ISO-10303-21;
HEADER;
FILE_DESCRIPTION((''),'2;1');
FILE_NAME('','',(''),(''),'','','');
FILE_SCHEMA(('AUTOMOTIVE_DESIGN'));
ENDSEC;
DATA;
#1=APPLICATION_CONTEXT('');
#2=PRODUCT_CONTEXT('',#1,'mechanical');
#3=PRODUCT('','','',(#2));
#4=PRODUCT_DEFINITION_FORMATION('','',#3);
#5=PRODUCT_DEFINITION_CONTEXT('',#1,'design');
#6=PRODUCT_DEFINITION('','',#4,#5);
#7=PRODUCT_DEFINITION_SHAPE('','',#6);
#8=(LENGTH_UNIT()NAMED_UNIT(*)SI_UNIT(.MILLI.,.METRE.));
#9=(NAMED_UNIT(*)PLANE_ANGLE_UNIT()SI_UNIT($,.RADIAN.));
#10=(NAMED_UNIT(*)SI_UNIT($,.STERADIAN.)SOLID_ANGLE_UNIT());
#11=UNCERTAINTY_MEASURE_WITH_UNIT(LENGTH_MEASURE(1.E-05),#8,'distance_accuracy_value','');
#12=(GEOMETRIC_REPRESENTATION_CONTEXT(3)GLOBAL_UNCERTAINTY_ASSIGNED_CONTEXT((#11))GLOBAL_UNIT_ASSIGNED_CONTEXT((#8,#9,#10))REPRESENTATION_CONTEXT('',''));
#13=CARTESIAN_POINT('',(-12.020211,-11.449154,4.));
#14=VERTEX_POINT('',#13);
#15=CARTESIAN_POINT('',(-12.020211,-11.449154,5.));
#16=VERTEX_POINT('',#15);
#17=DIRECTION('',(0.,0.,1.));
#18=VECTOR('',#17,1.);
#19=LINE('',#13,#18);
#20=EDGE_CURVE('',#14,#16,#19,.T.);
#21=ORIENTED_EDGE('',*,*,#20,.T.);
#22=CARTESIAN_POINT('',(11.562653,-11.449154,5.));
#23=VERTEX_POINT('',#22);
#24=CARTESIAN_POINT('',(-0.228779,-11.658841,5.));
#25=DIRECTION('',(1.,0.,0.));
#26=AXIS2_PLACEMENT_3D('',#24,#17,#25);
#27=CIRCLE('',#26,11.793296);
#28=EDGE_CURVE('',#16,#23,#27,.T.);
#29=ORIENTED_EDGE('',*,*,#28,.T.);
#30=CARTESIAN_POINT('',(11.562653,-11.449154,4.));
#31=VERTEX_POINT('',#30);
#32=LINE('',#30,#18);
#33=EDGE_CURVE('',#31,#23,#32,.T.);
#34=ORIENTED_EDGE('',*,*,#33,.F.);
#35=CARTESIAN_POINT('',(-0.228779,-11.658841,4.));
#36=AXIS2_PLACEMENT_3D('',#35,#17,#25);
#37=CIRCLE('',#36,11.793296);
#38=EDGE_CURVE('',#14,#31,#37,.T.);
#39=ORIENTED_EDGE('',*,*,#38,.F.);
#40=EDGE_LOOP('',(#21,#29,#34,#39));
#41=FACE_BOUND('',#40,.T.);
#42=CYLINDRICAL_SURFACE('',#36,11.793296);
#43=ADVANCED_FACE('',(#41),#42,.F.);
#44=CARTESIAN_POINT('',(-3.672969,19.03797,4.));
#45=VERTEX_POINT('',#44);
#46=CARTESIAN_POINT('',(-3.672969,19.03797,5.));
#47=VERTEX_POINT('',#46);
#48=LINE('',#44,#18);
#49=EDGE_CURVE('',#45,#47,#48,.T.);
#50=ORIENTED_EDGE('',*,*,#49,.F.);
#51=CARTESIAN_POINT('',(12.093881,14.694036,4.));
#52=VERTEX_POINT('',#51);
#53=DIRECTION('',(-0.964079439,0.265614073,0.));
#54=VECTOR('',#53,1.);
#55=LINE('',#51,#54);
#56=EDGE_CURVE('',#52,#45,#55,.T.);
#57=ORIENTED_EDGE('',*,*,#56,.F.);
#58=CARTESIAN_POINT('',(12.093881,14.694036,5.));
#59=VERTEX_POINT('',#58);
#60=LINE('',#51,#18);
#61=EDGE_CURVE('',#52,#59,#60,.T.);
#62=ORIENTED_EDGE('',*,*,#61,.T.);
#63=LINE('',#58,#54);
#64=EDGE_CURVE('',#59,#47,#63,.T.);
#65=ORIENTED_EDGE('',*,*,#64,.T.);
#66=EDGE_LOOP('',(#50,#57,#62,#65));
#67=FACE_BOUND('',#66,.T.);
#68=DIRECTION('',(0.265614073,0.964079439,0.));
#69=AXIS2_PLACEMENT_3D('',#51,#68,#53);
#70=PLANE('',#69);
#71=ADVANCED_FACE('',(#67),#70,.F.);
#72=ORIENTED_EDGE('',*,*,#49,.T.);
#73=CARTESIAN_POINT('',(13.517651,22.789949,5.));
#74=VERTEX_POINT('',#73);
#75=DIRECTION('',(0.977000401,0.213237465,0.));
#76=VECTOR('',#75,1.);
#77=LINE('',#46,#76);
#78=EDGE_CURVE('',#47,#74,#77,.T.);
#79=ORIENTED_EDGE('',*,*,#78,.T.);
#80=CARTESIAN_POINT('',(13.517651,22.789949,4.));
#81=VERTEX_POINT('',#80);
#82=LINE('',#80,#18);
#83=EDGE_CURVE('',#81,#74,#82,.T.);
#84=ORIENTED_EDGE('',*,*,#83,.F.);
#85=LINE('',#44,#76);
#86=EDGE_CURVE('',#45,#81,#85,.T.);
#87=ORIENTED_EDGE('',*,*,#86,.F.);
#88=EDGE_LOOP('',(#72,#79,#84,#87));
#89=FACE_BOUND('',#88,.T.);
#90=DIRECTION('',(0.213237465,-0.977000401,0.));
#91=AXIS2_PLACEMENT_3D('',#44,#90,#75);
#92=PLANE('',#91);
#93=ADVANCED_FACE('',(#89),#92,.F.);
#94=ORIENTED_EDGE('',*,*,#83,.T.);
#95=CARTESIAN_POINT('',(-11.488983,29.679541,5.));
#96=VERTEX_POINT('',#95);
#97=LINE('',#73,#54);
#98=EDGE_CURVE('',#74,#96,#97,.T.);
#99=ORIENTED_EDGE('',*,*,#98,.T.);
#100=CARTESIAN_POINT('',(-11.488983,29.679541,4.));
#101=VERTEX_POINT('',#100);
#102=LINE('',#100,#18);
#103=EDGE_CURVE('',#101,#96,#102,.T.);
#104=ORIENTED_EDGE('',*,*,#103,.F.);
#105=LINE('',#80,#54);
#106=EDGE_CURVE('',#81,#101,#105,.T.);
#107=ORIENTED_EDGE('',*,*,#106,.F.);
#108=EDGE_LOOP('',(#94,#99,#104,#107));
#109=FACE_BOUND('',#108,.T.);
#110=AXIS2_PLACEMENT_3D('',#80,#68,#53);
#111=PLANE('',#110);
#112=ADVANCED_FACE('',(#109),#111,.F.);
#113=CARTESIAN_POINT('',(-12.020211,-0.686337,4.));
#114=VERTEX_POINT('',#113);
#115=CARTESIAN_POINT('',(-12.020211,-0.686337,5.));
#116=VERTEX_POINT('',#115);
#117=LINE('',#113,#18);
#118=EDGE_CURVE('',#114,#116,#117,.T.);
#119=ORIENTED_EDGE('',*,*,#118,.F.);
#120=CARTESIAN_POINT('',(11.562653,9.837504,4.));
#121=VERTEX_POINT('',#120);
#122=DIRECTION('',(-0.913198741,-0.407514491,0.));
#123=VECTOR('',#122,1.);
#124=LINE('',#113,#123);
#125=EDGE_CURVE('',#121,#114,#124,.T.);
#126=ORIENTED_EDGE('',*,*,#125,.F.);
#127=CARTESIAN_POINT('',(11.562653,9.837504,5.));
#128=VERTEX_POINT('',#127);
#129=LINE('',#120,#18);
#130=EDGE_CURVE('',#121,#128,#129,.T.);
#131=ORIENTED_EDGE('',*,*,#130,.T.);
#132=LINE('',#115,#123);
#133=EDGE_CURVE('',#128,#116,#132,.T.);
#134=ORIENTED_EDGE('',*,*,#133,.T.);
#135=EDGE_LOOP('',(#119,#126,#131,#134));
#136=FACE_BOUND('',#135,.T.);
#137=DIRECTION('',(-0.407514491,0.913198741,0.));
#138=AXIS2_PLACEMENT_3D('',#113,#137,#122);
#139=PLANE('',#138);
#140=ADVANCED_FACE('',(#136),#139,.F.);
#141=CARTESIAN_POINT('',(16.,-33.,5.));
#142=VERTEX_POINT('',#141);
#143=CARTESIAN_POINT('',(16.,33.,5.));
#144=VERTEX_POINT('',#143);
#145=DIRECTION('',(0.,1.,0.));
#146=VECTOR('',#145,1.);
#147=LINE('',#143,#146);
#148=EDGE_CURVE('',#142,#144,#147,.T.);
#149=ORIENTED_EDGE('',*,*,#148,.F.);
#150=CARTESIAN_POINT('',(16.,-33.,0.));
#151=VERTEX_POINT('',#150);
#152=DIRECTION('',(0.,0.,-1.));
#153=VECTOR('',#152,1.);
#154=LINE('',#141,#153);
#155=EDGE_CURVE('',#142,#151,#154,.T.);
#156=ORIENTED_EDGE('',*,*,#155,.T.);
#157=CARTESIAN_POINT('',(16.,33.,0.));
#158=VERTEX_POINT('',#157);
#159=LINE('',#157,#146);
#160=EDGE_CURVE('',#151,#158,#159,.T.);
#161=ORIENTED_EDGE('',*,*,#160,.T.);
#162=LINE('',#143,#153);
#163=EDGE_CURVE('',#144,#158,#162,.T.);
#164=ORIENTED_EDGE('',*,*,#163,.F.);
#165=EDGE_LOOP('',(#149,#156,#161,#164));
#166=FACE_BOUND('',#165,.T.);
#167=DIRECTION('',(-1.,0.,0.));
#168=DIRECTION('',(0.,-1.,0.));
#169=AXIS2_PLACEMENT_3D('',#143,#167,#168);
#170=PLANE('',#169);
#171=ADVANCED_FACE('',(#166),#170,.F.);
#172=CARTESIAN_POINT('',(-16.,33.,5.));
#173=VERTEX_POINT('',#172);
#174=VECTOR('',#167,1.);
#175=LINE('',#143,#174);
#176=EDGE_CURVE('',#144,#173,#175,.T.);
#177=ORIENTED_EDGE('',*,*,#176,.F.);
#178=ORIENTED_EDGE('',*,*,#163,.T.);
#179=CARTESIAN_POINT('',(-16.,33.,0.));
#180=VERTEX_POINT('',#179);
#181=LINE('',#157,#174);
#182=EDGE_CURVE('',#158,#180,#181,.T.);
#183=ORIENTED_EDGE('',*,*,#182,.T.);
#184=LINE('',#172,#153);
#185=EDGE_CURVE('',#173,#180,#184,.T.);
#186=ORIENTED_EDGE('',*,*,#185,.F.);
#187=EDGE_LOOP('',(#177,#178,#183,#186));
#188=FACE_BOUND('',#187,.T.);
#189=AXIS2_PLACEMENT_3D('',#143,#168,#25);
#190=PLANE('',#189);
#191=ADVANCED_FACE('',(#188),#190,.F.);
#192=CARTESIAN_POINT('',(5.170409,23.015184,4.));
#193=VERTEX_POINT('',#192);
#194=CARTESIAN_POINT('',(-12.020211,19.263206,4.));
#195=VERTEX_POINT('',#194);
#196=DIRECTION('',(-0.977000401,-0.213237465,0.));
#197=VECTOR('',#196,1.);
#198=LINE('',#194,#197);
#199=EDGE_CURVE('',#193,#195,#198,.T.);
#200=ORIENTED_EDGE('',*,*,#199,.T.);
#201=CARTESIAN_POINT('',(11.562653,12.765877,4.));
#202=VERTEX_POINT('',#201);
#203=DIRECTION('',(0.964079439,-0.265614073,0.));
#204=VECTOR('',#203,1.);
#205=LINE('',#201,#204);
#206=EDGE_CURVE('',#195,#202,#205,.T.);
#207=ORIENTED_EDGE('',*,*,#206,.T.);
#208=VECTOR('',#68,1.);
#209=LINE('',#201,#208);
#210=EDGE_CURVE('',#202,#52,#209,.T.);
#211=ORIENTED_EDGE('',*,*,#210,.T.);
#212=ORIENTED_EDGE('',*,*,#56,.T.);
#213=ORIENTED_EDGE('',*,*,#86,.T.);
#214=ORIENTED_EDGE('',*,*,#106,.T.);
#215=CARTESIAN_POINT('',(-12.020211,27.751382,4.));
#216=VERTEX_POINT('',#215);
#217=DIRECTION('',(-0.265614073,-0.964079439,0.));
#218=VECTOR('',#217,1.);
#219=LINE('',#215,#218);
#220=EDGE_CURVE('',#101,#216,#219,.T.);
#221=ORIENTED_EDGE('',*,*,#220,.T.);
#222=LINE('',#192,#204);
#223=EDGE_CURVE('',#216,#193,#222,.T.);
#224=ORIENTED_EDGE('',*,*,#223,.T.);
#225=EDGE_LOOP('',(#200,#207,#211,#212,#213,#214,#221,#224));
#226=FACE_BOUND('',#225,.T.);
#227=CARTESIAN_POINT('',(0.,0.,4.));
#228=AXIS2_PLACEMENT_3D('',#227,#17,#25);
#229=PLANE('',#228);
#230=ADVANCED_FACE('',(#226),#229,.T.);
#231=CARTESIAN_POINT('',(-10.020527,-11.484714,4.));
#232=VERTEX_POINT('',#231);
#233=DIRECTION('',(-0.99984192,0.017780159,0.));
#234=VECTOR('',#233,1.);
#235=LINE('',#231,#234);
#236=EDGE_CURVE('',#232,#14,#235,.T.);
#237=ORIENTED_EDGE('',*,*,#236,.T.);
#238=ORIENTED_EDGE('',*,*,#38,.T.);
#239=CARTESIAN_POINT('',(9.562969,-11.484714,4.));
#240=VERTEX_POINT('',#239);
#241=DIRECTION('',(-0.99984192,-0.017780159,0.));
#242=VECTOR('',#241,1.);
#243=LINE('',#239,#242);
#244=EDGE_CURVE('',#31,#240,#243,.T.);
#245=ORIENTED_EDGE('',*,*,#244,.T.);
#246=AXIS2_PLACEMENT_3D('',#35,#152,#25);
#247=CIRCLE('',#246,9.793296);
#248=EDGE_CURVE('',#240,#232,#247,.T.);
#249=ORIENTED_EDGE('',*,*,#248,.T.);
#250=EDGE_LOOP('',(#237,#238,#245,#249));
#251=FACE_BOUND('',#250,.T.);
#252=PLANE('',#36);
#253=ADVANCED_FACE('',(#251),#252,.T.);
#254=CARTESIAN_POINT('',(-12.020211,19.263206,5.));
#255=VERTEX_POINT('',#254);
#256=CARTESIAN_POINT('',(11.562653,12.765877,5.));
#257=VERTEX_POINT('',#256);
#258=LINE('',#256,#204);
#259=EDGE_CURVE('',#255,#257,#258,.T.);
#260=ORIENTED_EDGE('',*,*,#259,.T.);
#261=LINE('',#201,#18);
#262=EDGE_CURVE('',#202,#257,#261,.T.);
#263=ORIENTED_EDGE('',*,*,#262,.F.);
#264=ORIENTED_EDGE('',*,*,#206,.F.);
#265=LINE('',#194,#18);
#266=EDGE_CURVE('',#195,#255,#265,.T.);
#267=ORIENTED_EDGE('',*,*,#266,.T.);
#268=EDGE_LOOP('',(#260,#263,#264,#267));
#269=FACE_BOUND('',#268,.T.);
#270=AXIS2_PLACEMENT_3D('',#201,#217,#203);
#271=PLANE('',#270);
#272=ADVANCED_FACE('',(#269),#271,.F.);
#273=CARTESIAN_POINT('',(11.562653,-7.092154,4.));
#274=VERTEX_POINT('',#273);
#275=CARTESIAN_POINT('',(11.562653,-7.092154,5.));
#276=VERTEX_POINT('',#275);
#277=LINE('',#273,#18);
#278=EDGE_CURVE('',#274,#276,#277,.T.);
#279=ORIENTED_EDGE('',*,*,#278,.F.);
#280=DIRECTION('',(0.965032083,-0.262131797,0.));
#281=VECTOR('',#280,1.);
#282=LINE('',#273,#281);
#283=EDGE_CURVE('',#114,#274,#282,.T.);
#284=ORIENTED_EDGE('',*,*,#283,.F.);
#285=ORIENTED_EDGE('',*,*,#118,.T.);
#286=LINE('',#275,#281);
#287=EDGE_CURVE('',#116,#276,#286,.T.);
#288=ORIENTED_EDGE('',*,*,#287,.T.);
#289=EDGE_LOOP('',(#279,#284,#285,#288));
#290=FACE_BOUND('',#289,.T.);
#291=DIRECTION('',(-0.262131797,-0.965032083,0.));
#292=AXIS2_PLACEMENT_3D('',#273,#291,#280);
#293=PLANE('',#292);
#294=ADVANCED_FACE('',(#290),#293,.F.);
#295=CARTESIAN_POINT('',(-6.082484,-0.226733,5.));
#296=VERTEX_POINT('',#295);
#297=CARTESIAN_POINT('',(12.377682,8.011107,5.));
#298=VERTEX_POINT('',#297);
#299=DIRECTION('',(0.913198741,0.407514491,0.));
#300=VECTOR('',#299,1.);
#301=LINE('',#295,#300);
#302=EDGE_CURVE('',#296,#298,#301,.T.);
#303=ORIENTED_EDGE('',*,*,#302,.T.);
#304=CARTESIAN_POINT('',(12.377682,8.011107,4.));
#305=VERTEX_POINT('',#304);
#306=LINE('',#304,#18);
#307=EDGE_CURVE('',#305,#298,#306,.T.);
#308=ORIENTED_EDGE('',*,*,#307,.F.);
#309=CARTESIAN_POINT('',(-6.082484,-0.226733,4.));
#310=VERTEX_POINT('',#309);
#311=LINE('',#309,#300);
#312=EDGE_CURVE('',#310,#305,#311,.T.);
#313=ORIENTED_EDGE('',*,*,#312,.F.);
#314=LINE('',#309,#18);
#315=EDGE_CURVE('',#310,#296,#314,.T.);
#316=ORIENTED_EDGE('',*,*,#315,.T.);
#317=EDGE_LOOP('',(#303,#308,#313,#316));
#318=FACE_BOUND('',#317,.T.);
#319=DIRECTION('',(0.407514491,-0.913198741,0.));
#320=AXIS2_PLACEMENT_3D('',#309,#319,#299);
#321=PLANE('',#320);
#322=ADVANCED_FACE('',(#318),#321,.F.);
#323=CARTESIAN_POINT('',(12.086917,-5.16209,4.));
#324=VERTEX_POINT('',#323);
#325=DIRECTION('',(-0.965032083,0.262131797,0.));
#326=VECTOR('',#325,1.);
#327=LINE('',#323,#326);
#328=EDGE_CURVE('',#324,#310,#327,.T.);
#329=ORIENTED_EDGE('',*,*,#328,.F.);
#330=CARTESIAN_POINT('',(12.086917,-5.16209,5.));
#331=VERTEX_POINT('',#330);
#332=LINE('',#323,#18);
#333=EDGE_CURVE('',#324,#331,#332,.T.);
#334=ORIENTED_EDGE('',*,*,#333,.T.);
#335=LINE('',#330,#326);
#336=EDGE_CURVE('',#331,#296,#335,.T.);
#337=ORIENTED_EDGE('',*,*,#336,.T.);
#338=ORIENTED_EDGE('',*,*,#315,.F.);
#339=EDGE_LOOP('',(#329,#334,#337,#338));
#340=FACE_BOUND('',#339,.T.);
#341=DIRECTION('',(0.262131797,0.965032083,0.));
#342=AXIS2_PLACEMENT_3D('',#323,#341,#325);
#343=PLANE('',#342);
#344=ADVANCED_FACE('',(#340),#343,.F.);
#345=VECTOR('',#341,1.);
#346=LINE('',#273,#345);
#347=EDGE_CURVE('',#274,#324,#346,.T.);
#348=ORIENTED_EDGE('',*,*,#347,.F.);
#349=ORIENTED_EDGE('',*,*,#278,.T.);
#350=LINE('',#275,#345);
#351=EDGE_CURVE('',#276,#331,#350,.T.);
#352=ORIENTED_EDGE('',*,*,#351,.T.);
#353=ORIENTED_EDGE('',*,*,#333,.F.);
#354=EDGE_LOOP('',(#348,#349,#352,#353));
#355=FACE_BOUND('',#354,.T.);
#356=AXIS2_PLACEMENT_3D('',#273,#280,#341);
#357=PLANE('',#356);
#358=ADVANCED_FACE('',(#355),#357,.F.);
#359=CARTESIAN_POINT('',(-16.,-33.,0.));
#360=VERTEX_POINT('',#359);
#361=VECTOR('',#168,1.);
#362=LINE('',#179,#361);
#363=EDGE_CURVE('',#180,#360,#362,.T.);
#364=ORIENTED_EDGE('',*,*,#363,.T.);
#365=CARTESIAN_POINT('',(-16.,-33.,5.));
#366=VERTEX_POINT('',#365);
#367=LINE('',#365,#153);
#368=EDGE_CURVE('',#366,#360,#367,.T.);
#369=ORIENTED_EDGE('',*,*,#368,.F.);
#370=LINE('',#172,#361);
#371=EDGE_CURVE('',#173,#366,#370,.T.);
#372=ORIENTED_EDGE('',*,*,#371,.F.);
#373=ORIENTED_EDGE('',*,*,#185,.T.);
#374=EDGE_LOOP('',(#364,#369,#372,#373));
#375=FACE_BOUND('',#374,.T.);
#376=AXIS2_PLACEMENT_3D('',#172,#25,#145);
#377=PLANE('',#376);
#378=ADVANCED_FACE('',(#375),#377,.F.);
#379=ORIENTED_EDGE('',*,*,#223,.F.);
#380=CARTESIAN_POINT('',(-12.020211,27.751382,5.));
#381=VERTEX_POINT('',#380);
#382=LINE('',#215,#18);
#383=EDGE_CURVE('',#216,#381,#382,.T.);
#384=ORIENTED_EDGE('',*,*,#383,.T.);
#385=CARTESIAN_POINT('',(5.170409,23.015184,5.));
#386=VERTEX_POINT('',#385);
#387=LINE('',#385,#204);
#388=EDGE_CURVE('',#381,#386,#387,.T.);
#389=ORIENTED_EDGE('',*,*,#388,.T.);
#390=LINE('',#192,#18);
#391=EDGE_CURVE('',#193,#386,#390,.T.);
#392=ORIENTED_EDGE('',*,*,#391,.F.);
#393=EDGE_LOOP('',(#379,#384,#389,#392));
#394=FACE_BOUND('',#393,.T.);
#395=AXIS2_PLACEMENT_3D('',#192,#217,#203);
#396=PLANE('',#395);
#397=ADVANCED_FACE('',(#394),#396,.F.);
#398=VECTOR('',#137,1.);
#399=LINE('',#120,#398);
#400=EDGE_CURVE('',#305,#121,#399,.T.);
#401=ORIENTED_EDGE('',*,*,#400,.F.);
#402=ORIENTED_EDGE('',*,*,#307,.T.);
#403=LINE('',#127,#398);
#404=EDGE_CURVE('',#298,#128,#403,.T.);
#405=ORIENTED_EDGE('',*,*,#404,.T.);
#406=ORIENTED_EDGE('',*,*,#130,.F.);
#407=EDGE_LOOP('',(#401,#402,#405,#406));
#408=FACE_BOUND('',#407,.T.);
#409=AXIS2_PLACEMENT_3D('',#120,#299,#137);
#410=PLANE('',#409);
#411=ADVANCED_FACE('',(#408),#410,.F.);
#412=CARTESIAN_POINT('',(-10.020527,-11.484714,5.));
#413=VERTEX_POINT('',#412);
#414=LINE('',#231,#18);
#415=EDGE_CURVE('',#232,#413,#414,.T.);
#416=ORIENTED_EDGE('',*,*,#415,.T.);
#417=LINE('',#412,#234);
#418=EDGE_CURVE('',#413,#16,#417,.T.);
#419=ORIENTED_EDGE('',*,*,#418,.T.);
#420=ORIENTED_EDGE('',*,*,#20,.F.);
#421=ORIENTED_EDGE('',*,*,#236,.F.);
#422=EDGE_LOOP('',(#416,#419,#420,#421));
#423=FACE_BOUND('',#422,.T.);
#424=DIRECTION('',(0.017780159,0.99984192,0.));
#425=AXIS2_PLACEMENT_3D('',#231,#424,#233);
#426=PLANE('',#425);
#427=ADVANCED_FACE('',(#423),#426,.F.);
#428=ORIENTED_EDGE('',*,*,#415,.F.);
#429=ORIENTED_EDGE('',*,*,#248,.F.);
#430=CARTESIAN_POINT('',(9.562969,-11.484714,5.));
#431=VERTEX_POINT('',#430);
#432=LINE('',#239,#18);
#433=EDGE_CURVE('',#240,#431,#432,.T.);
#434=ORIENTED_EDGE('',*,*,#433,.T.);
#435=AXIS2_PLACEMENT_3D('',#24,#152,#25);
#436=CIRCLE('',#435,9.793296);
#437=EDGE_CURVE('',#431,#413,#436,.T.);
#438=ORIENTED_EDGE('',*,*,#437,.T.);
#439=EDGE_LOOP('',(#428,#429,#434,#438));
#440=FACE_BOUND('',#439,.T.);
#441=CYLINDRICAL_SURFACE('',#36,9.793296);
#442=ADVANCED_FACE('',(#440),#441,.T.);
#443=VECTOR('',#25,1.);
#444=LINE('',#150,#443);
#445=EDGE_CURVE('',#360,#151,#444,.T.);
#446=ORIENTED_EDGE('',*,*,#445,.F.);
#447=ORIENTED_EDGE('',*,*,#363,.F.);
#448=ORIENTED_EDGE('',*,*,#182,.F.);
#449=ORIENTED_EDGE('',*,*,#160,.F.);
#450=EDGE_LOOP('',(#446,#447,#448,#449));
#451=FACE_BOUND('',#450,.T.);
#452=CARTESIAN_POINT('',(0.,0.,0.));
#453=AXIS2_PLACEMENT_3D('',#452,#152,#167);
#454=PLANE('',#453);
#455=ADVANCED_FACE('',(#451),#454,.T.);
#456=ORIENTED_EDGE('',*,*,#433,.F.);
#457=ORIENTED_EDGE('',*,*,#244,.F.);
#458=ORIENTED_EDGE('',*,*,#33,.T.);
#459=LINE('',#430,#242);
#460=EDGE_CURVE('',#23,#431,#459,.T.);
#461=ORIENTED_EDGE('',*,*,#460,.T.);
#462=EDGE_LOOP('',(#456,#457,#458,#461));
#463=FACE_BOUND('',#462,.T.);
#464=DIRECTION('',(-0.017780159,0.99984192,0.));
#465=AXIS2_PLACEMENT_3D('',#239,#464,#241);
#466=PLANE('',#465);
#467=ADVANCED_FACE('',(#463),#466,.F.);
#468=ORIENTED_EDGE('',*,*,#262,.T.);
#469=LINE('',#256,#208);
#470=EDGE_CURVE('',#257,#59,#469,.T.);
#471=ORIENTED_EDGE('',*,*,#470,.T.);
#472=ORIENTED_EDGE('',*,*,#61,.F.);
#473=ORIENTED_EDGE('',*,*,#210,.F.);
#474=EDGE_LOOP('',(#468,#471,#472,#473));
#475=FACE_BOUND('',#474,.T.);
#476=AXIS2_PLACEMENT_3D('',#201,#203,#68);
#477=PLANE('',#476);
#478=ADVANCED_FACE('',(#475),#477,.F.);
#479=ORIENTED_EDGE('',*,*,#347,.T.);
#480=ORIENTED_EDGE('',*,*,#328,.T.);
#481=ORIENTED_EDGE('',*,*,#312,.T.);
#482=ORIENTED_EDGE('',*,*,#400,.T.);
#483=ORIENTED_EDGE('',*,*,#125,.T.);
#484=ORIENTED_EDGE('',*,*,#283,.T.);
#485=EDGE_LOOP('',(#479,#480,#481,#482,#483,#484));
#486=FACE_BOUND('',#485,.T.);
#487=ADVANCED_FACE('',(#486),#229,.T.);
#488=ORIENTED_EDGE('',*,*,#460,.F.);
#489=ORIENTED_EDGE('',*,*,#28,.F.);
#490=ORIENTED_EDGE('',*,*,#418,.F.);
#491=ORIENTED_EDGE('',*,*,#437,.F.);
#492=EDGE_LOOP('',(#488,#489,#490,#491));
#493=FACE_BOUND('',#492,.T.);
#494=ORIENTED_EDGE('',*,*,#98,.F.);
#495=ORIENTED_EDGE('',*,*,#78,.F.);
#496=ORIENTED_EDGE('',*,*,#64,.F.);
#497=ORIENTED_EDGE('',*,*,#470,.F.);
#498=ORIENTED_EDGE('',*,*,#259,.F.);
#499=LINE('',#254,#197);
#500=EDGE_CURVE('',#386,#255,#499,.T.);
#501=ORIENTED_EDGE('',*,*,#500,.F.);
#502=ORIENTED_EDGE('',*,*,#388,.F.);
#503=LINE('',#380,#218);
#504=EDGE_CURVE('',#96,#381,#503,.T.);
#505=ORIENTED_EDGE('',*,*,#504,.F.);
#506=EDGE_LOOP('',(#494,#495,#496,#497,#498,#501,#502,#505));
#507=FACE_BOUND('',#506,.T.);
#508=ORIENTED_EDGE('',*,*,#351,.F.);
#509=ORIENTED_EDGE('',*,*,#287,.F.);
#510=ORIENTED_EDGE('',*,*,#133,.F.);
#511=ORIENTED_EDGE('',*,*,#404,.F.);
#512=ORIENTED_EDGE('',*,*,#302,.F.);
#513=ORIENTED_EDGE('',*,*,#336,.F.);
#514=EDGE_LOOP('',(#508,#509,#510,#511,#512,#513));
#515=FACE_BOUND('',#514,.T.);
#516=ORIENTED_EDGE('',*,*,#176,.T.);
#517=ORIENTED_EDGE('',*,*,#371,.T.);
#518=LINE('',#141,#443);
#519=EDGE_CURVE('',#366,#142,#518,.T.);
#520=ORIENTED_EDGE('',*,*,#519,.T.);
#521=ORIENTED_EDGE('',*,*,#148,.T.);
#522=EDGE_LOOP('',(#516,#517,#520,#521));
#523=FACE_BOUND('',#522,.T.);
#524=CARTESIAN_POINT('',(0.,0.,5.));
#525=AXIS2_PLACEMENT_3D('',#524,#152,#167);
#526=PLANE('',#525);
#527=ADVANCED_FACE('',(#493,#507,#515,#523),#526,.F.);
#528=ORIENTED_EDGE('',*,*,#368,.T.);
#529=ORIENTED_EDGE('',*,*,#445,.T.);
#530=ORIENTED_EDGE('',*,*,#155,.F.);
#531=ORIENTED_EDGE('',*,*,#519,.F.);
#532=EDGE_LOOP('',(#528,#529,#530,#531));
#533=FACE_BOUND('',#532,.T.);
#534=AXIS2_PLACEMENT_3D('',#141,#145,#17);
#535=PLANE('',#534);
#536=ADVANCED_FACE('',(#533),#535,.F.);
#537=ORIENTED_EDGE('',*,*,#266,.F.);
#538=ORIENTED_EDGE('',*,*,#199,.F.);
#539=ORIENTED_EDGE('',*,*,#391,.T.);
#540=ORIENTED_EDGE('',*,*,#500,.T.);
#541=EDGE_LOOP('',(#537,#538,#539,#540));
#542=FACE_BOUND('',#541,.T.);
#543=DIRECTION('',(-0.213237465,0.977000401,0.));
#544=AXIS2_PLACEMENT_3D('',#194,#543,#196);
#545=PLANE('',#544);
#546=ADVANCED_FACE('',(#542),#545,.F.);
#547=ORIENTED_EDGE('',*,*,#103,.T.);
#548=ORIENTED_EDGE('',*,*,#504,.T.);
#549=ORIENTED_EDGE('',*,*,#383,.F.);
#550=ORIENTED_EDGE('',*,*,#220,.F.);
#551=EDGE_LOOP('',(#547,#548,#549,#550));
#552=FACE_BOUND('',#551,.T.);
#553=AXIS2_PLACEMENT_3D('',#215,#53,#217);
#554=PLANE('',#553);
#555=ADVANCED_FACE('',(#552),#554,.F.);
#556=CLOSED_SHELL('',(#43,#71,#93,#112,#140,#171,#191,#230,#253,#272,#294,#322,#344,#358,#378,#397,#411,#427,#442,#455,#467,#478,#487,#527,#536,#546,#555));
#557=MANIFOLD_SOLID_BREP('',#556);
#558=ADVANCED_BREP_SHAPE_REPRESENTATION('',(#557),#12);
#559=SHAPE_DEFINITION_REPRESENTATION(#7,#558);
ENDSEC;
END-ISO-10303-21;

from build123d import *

# Parameters (mm, degrees)
ESQUISSE1_W             = 32
ESQUISSE1_H             = 66
BOSS_EXTRU_1_DEPTH      = 5
ENL_V_MAT_EXTRU_1_DEPTH = 1


with BuildPart() as part:
    # Esquisse1 → Boss.-Extru.1 (new body)
    with BuildSketch(Plane.XY):
        Rectangle(ESQUISSE1_W, ESQUISSE1_H)
    extrude(amount=BOSS_EXTRU_1_DEPTH)

    # Esquisse2 → Enlèv. mat.-Extru.1 (cut)
    with BuildSketch(Plane.XY.offset(5)):
        with BuildLine():
            Line((-10.020527486, -11.48471415), (-12.020211327, -11.449153833))
            ThreePointArc((-12.020211327, -11.449153833), (-0.228779166, -23.452136955), (11.562652994, -11.449153833))
            Line((11.562652994, -11.449153833), (9.562969153, -11.48471415))
            ThreePointArc((9.562969153, -11.48471415), (-0.228779166, -21.452136955), (-10.020527486, -11.48471415))
        make_face()
        Polygon((11.562652994, -7.092154157), (-12.020211327, -0.686337499), (11.562652994, 9.837504153), (12.377681975, 8.011106671), (-6.082483824, -0.226733274), (12.086916587, -5.162089991), align=None)
        Polygon((11.562652994, 12.765877482), (-12.020211327, 19.263205806), (5.170409159, 23.015184134), (-12.020211327, 27.751381734), (-11.488983181, 29.679540611), (13.517651309, 22.78994856), (-3.672969177, 19.037970232), (12.09388114, 14.694036359), align=None)
    extrude(amount=-ENL_V_MAT_EXTRU_1_DEPTH, mode=Mode.SUBTRACT)


solid = part.part
